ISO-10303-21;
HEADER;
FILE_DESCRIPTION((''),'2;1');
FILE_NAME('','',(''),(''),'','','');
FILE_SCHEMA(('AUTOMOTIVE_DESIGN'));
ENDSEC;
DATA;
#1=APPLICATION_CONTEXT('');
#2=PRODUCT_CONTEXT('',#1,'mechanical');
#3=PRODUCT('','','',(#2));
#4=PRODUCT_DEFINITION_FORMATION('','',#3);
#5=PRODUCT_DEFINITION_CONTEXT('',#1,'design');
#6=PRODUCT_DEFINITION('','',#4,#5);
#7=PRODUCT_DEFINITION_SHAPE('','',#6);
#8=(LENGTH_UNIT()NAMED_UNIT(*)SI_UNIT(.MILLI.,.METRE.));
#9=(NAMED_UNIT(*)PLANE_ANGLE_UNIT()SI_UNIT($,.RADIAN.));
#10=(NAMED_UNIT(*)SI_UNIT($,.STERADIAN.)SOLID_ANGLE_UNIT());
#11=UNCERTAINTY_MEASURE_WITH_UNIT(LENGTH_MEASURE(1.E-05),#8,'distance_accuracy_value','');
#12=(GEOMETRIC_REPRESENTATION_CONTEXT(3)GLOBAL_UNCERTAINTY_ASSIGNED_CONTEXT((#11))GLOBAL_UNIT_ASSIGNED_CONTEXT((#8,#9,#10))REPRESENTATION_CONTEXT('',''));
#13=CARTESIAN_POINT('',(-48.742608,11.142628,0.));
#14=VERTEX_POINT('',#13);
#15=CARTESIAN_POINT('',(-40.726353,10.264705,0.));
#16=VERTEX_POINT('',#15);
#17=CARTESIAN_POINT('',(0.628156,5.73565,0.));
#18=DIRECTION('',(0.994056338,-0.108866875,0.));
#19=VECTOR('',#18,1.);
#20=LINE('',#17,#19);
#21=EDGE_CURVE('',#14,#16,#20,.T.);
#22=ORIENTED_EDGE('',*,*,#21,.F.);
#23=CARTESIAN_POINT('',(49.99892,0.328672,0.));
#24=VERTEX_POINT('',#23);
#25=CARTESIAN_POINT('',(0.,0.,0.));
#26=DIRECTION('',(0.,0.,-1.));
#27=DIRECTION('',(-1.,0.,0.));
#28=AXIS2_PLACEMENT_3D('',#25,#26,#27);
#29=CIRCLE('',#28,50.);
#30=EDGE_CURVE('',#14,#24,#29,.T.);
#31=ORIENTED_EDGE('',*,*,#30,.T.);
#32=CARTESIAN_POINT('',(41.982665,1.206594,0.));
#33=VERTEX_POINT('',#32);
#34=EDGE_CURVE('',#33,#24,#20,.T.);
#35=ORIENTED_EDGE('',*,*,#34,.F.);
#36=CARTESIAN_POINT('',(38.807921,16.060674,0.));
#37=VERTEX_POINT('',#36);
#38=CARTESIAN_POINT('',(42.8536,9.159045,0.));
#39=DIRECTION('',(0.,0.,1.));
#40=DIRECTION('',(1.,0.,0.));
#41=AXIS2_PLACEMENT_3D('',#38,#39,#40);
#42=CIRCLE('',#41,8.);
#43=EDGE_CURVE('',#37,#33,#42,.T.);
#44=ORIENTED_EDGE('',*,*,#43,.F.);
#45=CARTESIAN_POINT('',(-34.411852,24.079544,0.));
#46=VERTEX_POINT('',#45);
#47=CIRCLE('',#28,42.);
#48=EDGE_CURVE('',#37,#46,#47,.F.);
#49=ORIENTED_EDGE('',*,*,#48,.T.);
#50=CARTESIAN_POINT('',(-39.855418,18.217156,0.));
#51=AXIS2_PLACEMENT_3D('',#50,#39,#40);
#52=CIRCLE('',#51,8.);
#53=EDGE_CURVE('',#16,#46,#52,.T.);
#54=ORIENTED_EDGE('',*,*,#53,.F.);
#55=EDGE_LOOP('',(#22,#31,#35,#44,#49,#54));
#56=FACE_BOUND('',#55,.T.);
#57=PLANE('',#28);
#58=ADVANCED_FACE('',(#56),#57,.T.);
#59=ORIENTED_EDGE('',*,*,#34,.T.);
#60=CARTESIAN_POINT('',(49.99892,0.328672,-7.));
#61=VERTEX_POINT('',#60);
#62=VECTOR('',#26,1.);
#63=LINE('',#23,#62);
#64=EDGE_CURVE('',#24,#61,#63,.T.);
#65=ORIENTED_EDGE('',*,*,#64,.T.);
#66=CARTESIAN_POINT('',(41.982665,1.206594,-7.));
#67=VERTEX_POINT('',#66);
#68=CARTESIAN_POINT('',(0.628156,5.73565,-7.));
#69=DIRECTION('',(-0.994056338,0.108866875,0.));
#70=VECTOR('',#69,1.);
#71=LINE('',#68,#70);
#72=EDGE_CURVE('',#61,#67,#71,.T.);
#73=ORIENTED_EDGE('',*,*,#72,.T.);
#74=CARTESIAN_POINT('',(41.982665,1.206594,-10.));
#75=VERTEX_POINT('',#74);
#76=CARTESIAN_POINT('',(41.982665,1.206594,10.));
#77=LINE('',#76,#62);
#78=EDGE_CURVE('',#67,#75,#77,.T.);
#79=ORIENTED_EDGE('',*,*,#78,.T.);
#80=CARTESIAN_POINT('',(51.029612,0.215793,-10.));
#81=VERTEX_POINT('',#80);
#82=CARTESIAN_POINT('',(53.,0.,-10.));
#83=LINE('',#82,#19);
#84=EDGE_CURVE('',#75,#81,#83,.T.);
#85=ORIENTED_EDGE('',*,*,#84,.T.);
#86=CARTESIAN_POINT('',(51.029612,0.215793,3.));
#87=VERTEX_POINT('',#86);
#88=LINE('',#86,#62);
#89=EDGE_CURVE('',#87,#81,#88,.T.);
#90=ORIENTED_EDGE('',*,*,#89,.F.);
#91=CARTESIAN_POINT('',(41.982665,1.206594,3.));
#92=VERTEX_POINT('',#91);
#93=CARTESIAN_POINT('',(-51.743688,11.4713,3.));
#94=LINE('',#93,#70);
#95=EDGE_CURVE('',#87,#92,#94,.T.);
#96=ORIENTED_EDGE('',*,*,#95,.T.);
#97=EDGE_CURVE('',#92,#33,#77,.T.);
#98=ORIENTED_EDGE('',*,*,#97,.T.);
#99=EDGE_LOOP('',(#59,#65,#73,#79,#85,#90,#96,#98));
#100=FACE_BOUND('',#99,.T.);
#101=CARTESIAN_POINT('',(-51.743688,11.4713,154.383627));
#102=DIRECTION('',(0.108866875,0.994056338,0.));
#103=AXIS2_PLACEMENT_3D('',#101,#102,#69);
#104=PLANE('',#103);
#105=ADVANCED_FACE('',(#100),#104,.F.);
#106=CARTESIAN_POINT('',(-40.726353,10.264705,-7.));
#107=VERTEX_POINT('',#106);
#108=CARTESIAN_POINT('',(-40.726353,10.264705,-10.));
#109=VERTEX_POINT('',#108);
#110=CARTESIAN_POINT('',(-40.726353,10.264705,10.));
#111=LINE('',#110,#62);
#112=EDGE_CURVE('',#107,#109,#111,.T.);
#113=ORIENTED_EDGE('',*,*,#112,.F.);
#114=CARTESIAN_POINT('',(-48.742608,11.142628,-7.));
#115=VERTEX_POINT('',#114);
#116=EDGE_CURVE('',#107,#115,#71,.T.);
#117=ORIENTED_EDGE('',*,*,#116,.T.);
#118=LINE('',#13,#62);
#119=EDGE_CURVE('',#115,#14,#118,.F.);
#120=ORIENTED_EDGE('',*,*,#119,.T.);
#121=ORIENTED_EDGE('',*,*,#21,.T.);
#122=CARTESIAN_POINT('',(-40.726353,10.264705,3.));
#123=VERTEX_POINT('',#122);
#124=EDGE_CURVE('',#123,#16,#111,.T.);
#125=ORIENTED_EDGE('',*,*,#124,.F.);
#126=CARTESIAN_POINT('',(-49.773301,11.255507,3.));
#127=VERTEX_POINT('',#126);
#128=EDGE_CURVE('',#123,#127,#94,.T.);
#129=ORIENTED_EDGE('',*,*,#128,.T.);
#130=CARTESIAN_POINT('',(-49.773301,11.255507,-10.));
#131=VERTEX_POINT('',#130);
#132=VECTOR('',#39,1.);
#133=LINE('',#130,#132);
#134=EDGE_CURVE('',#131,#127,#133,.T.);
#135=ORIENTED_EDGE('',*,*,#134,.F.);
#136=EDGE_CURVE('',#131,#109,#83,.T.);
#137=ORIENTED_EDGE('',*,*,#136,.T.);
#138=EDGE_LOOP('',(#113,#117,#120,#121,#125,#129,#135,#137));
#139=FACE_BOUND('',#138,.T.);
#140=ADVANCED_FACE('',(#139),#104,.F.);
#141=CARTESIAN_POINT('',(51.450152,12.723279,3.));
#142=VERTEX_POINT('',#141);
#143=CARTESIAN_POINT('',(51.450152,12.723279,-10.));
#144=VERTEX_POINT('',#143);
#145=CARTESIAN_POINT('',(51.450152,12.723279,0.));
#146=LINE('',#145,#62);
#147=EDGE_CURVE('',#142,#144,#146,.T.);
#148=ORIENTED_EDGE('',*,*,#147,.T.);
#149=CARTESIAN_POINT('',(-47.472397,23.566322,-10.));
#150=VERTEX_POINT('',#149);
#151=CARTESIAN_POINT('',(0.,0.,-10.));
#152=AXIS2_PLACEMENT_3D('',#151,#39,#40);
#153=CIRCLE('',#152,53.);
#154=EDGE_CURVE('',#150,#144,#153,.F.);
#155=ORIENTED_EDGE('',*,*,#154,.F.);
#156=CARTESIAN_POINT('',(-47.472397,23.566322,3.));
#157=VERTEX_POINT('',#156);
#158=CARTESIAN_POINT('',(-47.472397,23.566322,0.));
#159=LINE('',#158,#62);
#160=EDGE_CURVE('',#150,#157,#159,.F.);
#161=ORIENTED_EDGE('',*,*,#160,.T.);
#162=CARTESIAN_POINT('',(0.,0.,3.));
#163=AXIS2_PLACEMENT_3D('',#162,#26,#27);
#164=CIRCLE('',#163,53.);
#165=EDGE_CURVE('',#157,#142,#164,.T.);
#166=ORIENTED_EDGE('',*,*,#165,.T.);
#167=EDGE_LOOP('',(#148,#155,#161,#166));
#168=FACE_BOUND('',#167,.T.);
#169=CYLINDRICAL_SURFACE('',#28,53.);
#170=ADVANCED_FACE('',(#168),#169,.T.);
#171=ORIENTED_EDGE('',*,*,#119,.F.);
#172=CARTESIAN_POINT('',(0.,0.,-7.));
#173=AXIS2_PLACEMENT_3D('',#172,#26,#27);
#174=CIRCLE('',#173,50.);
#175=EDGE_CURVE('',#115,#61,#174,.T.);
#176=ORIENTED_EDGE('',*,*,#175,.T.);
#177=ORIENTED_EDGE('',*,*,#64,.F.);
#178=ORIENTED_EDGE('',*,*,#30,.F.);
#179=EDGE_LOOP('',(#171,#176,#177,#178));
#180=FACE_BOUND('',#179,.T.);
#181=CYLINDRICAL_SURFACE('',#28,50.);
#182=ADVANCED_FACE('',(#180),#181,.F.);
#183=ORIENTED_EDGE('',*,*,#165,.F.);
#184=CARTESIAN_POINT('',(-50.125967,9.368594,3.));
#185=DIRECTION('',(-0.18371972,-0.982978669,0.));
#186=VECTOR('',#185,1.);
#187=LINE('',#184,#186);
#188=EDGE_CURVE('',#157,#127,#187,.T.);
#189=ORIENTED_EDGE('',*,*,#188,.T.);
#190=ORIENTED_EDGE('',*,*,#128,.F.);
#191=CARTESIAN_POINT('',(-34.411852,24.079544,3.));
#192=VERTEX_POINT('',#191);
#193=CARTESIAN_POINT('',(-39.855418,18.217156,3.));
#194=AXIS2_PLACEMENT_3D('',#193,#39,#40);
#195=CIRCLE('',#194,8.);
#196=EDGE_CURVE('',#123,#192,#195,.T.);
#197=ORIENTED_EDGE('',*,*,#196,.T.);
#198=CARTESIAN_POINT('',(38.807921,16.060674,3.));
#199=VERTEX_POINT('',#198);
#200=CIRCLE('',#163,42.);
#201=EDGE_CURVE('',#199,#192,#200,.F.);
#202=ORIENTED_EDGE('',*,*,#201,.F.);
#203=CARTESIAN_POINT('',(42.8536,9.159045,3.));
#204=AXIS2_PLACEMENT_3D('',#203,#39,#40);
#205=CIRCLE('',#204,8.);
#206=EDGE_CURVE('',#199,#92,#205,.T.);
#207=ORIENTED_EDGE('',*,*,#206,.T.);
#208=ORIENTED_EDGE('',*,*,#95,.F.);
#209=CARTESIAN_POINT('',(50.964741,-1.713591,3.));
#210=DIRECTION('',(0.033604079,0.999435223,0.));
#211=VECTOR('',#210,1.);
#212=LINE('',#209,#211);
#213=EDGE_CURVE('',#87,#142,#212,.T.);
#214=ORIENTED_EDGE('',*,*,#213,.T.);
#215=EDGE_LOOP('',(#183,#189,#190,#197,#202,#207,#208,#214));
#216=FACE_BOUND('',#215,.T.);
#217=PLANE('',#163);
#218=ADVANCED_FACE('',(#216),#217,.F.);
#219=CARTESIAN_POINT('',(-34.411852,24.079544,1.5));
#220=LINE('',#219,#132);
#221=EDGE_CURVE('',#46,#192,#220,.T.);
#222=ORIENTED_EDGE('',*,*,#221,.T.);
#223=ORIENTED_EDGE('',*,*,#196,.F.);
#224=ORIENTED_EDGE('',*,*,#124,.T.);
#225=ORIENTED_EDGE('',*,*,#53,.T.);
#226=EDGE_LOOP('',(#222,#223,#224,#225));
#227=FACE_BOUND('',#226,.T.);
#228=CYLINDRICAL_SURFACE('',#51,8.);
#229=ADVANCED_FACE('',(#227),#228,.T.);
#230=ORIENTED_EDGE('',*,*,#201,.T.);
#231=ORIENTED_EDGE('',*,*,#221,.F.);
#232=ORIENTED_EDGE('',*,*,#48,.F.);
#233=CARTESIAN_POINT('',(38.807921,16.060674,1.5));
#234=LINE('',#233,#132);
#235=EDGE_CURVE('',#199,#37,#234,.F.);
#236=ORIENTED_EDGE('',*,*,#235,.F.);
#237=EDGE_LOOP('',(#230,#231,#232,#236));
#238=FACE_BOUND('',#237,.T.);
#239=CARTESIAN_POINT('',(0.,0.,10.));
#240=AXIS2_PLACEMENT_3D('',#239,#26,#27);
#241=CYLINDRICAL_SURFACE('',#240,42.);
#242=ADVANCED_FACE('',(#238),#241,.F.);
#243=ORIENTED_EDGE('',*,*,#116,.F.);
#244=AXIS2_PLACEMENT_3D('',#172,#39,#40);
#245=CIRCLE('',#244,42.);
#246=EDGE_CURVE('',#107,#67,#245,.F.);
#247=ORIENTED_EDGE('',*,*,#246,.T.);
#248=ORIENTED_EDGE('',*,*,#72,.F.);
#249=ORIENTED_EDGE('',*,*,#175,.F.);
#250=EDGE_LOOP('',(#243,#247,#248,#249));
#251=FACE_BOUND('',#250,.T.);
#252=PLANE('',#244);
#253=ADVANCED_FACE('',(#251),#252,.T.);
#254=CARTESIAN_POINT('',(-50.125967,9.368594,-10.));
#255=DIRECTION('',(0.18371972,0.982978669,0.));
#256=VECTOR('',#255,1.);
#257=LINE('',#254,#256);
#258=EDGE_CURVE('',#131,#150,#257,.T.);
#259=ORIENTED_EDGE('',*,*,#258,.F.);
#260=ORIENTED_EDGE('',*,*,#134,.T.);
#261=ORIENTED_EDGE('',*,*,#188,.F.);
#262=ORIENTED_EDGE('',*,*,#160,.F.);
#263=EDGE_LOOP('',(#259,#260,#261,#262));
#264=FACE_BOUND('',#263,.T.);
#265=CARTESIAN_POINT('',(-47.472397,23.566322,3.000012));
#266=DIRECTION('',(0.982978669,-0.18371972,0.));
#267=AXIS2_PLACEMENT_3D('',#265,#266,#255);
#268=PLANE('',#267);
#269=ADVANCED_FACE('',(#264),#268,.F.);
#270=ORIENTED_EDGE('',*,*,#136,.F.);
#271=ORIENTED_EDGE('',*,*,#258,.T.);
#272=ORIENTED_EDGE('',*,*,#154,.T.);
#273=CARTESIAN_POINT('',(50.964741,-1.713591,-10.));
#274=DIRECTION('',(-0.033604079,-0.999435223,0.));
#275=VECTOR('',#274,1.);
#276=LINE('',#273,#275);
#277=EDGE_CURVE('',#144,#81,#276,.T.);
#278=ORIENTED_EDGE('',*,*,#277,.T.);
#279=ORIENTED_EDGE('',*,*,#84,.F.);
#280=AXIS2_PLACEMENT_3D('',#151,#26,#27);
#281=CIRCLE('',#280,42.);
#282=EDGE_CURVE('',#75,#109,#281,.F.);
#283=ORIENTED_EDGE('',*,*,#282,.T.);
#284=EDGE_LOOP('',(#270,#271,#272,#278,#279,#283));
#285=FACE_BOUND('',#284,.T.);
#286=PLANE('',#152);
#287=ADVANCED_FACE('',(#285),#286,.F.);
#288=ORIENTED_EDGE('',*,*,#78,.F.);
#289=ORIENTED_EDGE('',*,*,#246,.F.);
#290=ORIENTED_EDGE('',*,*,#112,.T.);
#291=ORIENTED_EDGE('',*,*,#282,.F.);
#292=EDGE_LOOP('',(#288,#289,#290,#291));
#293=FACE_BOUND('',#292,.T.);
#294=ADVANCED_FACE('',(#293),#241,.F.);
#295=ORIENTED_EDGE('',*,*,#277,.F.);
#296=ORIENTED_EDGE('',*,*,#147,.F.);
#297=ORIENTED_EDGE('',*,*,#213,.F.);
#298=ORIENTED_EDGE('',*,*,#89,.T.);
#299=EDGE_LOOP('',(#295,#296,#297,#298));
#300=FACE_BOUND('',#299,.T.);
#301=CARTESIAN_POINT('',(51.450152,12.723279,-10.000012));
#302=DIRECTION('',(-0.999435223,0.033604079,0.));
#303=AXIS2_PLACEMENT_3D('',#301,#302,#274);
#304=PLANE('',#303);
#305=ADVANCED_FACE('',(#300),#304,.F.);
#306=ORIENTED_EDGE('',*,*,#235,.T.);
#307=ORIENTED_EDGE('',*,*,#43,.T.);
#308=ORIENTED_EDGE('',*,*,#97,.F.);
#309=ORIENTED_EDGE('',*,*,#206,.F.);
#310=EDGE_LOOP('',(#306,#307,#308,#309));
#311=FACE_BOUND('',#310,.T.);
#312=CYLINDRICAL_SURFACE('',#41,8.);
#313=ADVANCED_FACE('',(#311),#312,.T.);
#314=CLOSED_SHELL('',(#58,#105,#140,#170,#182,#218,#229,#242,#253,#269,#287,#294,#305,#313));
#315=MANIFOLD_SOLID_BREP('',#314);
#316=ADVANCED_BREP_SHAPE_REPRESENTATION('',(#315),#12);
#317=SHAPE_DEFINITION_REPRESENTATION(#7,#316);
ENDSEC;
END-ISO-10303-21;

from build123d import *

# Parameters (mm, degrees)
SKETCH1_W                    = 50
SKETCH1_H                    = 7
REVOLVE5_ANGLE               = 167.5
SHELL2_T                     = 3
CUT_EXTRUDE3_DEPTH           = 77.072333999
CUT_EXTRUDE3_DEPTH_BACK      = 10
CUT_EXTRUDE4_DEPTH           = 77.072333999
CUT_EXTRUDE4_DEPTH_BACK      = 10
CUT_EXTRUDE_THIN1_DEPTH      = 77.072333999
CUT_EXTRUDE_THIN1_DEPTH_BACK = 20
CUT_EXTRUDE_THIN2_DEPTH      = 77.072333999
CUT_EXTRUDE_THIN2_DEPTH_BACK = 20
CUT_EXTRUDE_THIN3_DEPTH      = 76.000787866
CUT_EXTRUDE_THIN3_DEPTH_BACK = 20
SKETCH18_R                   = 8
BOSS_EXTRUDE3_DEPTH          = 3
SKETCH22_W                   = 13
SKETCH22_H                   = 12.488136332
BOSS_EXTRUDE4_DEPTH          = 1
SKETCH23_W                   = 13
SKETCH23_H                   = 12.478928716
BOSS_EXTRUDE5_DEPTH          = 1
CUT_EXTRUDE_THIN4_DEPTH      = 76.647331154
CUT_EXTRUDE_THIN4_DEPTH_BACK = 20
CUT_EXTRUDE_THIN5_DEPTH      = 76.000787866
CUT_EXTRUDE_THIN5_DEPTH_BACK = 20


with BuildPart() as part:
    # Sketch1 → Revolve5 (revolve)
    with BuildSketch(Plane(origin=(0, 0, 0), x_dir=(1, 0, 0), z_dir=(0, 1, 0))):
        with Locations((25, 3.5)):
            Rectangle(SKETCH1_W, SKETCH1_H)
    revolve(axis=Axis((0, 0, 0), (0, 0, 1)), revolution_arc=REVOLVE5_ANGLE)

    # Shell2
    shell2_openings = [part.faces().sort_by_distance(p)[0] for p in [
        (25, 0, -3.5),
        (-24.407400178, 5.410990348, -3.5),
    ]]
    offset(amount=SHELL2_T, openings=shell2_openings, kind=Kind.INTERSECTION)

    # Sketch11 → Cut-Extrude3 (cut, two sides: drawn at the far end of the back side and taken through both)
    with BuildSketch(Plane.XY.offset(3).offset(-CUT_EXTRUDE3_DEPTH_BACK)):
        Polygon((-295.067343662, 38.119573796), (-51.743688377, 11.471299539), (53, 0), (296.323655284, -26.648274258), (243.027106769, -513.295584826), (-348.363892177, -448.527736772), align=None)
    extrude(amount=CUT_EXTRUDE3_DEPTH + CUT_EXTRUDE3_DEPTH_BACK, mode=Mode.SUBTRACT)

    # Sketch12 → Cut-Extrude4 (cut, two sides: drawn at the far end of the back side and taken through both)
    with BuildSketch(Plane(origin=(0, 0, -10), x_dir=(-1, 0, 0), z_dir=(0, 0, -1)).offset(-CUT_EXTRUDE4_DEPTH_BACK)):
        Polygon((-296.323655284, -26.648274258), (-53, 0), (51.743688377, 11.471299539), (295.067343662, 38.119573796), (348.363892177, -448.527736772), (-243.027106769, -513.295584826), align=None)
    extrude(amount=CUT_EXTRUDE4_DEPTH + CUT_EXTRUDE4_DEPTH_BACK, mode=Mode.SUBTRACT)

    # Sketch13 → Cut-Extrude-Thin1 (cut, two sides: drawn at the far end of the back side and taken through both)
    with BuildSketch(Plane(origin=(0, 0, -10), x_dir=(-1, 0, 0), z_dir=(0, 0, -1)).offset(-CUT_EXTRUDE_THIN1_DEPTH_BACK)):
        Polygon((48.779244367, 11.146640118), (47.419699991, 23.560551191), (57.360263374, 24.64921994), (58.719807749, 12.235308866), align=None)
    extrude(amount=CUT_EXTRUDE_THIN1_DEPTH + CUT_EXTRUDE_THIN1_DEPTH_BACK, mode=Mode.SUBTRACT)

    # Sketch14 → Cut-Extrude-Thin2 (cut, two sides: drawn at the far end of the back side and taken through both)
    with BuildSketch(Plane(origin=(0, 0, -10), x_dir=(-1, 0, 0), z_dir=(0, 0, -1)).offset(-CUT_EXTRUDE_THIN2_DEPTH_BACK)):
        Polygon((-50.035555989, 0.324659421), (-51.39409796, 12.729417605), (-81.215788107, 9.46341136), (-79.857246136, -2.941346825), align=None)
    extrude(amount=CUT_EXTRUDE_THIN2_DEPTH + CUT_EXTRUDE_THIN2_DEPTH_BACK, mode=Mode.SUBTRACT)

    # Sketch15 → Cut-Extrude-Thin3 (cut, two sides: drawn at the far end of the back side and taken through both)
    with BuildSketch(Plane(origin=(0, 0, -10), x_dir=(-1, 0, 0), z_dir=(0, 0, -1)).offset(-CUT_EXTRUDE_THIN3_DEPTH_BACK)):
        with BuildLine():
            ThreePointArc((-41.982664634, 1.20659446), (-4.572408744, 41.750366205), (40.726353012, 10.264705079))
            Line((40.726353012, 10.264705079), (11.636100861, 2.93277288))
            ThreePointArc((11.636100861, 2.93277288), (-1.306402498, 11.928676059), (-11.995047038, 0.344741274))
            Line((-11.995047038, 0.344741274), (-41.982664634, 1.20659446))
        make_face()
    extrude(amount=CUT_EXTRUDE_THIN3_DEPTH + CUT_EXTRUDE_THIN3_DEPTH_BACK, mode=Mode.SUBTRACT)


with BuildPart() as body_2:
    # of the pieces the cut leaves, the one that is kept (cut_extrude_thin3_keep)
    add(part.part.solids().sort_by_distance((49.998919737, 0.328671743, 0))[0])

    # Sketch18 → Boss-Extrude3 (add)
    with BuildSketch(Plane.XY.offset(3)):
        with Locations((-39.855418013, 18.217155785)):
            Circle(SKETCH18_R)
        with Locations((42.853599633, 9.159045166)):
            Circle(SKETCH18_R)
    extrude(amount=-BOSS_EXTRUDE3_DEPTH)

    # Sketch22 → Boss-Extrude4 (add)
    with BuildSketch(Plane(origin=(-49.407400178, 5.410990348, 0), x_dir=(0, 0, 1), z_dir=(-0.99405633822232, 0.10886687485196148, 0))):
        with Locations((-3.5, 12.014012533)):
            Rectangle(SKETCH22_W, SKETCH22_H)
    extrude(amount=BOSS_EXTRUDE4_DEPTH)

    # Sketch23 → Boss-Extrude5 (add)
    with BuildSketch(Plane(origin=(49.407400178, -5.410990348, 0), x_dir=(0, 0, -1), z_dir=(0.9940563382223201, -0.10886687485196078, 0))):
        with Locations((3.5, 12.009408725)):
            Rectangle(SKETCH23_W, SKETCH23_H)
    extrude(amount=BOSS_EXTRUDE5_DEPTH)

    # Sketch25 → Cut-Extrude-Thin4 (cut, two sides: drawn at the far end of the back side and taken through both)
    with BuildSketch(Plane(origin=(0, 0, -10), x_dir=(-1, 0, 0), z_dir=(0, 0, -1)).offset(-CUT_EXTRUDE_THIN4_DEPTH_BACK)):
        Polygon((-51.450152385, 12.723278647), (-51.029612328, 0.215792546), (-61.023964562, -0.12024824), (-61.44450462, 12.387237861), align=None)
    extrude(amount=CUT_EXTRUDE_THIN4_DEPTH + CUT_EXTRUDE_THIN4_DEPTH_BACK, mode=Mode.SUBTRACT)

    # Sketch26 → Cut-Extrude-Thin5 (cut, two sides: drawn at the far end of the back side and taken through both)
    with BuildSketch(Plane.XY.offset(3).offset(-CUT_EXTRUDE_THIN5_DEPTH_BACK)):
        Polygon((-47.472396692, 23.566322419), (-49.773300705, 11.255506993), (-59.603087399, 13.092704194), (-57.302183385, 25.40351962), align=None)
    extrude(amount=CUT_EXTRUDE_THIN5_DEPTH + CUT_EXTRUDE_THIN5_DEPTH_BACK, mode=Mode.SUBTRACT)


solid = body_2.part
